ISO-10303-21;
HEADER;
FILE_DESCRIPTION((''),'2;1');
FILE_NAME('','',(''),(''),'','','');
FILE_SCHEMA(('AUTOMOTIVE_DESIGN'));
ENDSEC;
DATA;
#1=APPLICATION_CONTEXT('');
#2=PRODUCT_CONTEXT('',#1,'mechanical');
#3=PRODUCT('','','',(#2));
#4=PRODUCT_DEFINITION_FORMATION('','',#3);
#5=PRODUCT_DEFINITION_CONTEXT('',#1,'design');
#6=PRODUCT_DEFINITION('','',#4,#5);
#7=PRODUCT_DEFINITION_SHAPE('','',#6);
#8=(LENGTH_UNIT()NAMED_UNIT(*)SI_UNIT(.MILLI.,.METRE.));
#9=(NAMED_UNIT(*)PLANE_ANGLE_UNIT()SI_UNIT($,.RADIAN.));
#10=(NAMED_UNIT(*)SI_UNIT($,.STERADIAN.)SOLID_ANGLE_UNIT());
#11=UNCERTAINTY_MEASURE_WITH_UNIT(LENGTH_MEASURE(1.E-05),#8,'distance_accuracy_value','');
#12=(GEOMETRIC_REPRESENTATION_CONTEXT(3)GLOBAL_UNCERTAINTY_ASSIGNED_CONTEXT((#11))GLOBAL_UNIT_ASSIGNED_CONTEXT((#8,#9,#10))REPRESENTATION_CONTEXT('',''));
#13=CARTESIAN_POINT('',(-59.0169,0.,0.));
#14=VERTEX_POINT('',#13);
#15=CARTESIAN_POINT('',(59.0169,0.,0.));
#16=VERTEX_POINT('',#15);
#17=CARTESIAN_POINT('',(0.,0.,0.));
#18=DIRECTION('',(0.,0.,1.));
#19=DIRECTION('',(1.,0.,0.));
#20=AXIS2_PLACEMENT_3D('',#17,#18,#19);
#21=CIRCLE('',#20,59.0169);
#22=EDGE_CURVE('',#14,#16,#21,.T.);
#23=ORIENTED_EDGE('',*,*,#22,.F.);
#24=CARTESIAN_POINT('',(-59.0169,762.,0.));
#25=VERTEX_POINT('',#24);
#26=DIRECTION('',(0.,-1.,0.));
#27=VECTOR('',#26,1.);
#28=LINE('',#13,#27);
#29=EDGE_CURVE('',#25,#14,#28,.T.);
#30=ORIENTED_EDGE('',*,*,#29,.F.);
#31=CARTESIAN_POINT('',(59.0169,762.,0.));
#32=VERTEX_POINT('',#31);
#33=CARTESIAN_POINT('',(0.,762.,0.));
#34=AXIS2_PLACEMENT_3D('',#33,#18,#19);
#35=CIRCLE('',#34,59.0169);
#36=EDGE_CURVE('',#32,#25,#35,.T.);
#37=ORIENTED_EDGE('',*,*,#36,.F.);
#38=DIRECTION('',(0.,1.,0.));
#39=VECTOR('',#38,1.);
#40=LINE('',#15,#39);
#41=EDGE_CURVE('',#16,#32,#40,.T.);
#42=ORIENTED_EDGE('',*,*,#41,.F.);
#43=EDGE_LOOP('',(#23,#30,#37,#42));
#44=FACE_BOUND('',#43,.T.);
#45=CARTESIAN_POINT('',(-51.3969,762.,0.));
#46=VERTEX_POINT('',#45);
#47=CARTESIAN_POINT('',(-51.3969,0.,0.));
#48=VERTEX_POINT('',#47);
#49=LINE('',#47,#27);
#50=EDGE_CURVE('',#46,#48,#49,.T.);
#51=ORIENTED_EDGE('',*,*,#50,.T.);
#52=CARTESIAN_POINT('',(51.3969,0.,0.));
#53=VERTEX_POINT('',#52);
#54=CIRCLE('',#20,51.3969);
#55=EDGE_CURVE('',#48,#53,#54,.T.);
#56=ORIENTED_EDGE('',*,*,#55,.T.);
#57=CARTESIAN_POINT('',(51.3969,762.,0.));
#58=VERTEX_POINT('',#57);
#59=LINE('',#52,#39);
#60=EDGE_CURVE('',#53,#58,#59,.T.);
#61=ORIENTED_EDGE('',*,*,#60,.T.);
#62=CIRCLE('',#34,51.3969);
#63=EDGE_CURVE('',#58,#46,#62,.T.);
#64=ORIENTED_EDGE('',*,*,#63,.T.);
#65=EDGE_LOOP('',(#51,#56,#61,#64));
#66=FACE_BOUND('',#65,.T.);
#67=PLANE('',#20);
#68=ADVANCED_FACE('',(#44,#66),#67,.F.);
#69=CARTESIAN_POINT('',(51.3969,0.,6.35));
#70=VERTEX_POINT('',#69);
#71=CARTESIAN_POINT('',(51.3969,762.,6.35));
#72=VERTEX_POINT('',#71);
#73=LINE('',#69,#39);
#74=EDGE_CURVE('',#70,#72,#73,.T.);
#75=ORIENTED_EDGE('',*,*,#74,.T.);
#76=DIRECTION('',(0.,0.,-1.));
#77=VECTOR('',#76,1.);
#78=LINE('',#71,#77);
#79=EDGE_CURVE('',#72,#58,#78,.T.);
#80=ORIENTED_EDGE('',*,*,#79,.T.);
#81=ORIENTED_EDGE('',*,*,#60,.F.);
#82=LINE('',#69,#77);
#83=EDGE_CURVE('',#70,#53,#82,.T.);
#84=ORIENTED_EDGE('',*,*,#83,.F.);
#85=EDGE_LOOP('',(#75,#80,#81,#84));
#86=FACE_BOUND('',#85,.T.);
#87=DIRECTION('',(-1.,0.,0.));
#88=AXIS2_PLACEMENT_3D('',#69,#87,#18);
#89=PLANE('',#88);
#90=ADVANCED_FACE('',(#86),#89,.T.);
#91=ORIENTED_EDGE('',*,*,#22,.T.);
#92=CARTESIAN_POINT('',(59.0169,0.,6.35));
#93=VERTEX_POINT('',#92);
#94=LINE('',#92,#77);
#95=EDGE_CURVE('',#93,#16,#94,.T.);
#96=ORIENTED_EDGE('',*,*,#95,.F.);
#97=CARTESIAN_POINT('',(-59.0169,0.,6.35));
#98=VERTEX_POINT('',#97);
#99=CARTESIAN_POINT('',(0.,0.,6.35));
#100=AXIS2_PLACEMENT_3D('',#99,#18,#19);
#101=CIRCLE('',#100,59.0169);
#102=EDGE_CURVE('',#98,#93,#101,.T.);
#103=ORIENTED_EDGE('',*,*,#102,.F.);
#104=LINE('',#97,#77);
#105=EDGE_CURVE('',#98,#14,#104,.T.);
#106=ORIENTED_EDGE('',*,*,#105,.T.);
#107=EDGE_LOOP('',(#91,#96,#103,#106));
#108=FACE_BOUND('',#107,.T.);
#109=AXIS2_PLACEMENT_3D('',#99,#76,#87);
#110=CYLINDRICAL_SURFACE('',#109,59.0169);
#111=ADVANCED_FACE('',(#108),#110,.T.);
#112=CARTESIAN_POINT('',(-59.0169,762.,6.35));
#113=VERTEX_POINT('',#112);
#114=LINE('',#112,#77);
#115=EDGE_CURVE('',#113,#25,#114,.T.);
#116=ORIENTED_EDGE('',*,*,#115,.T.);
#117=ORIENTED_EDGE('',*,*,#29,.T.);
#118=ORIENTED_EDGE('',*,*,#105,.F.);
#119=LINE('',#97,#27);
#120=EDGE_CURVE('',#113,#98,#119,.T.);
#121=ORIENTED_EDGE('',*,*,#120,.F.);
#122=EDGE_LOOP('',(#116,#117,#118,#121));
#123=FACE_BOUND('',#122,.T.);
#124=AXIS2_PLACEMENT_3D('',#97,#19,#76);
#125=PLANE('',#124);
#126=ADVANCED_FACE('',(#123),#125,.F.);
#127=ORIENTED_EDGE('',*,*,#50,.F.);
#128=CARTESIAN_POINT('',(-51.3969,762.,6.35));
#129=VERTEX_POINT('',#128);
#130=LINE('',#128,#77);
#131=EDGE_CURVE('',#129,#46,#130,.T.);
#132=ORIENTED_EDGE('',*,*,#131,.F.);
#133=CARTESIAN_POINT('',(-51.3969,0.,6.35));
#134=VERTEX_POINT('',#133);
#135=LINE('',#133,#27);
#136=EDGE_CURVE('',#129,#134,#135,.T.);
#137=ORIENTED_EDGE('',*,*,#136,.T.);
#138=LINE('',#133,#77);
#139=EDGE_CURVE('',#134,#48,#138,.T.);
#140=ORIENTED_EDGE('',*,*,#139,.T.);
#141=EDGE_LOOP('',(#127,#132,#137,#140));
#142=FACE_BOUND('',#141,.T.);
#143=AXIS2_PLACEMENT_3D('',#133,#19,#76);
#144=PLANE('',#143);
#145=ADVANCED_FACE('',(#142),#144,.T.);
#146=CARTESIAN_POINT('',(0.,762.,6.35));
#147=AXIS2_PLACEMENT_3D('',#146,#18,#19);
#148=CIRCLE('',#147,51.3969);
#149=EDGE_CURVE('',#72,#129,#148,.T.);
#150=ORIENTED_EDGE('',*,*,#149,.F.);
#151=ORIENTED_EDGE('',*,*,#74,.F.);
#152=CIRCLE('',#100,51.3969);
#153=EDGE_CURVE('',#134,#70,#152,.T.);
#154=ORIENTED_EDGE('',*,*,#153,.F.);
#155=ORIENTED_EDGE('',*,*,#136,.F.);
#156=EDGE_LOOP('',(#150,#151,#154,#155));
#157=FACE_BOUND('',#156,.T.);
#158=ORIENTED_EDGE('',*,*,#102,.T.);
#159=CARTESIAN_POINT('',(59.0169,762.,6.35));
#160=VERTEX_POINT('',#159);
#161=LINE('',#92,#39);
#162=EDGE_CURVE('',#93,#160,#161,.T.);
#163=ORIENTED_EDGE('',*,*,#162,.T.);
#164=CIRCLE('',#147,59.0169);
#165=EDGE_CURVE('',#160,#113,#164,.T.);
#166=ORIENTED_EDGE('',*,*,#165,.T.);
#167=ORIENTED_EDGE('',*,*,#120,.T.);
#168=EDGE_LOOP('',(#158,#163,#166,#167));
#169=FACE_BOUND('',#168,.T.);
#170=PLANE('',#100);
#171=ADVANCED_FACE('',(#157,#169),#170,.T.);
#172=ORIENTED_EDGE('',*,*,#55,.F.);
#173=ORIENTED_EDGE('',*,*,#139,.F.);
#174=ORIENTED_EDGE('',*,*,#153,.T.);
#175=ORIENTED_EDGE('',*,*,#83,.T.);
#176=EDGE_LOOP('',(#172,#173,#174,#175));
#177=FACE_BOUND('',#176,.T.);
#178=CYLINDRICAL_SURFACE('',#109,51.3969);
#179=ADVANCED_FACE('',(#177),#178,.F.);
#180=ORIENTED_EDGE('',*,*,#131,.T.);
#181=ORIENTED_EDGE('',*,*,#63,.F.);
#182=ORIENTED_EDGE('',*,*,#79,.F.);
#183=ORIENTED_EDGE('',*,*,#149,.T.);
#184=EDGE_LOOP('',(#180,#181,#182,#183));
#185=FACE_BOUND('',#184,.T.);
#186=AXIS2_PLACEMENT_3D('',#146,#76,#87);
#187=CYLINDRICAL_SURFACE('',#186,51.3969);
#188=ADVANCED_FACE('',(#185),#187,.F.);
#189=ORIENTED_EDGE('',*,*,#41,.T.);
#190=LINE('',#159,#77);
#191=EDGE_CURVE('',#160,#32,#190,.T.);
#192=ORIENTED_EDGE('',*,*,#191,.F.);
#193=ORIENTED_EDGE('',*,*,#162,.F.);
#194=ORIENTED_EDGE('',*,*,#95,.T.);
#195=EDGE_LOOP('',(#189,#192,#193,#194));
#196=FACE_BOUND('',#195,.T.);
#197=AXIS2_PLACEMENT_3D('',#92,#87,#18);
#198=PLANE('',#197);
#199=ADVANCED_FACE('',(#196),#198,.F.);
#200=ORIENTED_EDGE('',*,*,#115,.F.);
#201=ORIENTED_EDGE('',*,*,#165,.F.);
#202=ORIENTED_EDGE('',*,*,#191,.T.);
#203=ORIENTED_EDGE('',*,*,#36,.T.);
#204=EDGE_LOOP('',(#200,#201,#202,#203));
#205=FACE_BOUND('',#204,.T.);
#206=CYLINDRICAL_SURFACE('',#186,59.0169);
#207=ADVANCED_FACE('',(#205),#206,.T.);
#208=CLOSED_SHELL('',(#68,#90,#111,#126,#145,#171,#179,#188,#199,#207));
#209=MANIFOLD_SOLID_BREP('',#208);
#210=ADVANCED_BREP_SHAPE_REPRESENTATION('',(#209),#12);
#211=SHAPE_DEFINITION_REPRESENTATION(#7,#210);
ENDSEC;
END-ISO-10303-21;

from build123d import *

# Parameters (mm, degrees)
BOSS_EXTRUDE1_DEPTH = 6.35


with BuildPart() as part:
    # Sketch1 → Boss-Extrude1 (new body)
    with BuildSketch(Plane.XY):
        with BuildLine():
            Line((-59.0169, 0), (-59.0169, 762))
            ThreePointArc((-59.0169, 762), (0, 821.0169), (59.0169, 762))
            Line((59.0169, 762), (59.0169, 0))
            ThreePointArc((59.0169, 0), (0, -59.0169), (-59.0169, 0))
        make_face()
        with BuildLine():
            Line((-51.3969, 0), (-51.3969, 762))
            ThreePointArc((-51.3969, 762), (0, 813.3969), (51.3969, 762))
            Line((51.3969, 762), (51.3969, 0))
            ThreePointArc((51.3969, 0), (0, -51.3969), (-51.3969, 0))
        make_face(mode=Mode.SUBTRACT)
    extrude(amount=BOSS_EXTRUDE1_DEPTH)


solid = part.part
